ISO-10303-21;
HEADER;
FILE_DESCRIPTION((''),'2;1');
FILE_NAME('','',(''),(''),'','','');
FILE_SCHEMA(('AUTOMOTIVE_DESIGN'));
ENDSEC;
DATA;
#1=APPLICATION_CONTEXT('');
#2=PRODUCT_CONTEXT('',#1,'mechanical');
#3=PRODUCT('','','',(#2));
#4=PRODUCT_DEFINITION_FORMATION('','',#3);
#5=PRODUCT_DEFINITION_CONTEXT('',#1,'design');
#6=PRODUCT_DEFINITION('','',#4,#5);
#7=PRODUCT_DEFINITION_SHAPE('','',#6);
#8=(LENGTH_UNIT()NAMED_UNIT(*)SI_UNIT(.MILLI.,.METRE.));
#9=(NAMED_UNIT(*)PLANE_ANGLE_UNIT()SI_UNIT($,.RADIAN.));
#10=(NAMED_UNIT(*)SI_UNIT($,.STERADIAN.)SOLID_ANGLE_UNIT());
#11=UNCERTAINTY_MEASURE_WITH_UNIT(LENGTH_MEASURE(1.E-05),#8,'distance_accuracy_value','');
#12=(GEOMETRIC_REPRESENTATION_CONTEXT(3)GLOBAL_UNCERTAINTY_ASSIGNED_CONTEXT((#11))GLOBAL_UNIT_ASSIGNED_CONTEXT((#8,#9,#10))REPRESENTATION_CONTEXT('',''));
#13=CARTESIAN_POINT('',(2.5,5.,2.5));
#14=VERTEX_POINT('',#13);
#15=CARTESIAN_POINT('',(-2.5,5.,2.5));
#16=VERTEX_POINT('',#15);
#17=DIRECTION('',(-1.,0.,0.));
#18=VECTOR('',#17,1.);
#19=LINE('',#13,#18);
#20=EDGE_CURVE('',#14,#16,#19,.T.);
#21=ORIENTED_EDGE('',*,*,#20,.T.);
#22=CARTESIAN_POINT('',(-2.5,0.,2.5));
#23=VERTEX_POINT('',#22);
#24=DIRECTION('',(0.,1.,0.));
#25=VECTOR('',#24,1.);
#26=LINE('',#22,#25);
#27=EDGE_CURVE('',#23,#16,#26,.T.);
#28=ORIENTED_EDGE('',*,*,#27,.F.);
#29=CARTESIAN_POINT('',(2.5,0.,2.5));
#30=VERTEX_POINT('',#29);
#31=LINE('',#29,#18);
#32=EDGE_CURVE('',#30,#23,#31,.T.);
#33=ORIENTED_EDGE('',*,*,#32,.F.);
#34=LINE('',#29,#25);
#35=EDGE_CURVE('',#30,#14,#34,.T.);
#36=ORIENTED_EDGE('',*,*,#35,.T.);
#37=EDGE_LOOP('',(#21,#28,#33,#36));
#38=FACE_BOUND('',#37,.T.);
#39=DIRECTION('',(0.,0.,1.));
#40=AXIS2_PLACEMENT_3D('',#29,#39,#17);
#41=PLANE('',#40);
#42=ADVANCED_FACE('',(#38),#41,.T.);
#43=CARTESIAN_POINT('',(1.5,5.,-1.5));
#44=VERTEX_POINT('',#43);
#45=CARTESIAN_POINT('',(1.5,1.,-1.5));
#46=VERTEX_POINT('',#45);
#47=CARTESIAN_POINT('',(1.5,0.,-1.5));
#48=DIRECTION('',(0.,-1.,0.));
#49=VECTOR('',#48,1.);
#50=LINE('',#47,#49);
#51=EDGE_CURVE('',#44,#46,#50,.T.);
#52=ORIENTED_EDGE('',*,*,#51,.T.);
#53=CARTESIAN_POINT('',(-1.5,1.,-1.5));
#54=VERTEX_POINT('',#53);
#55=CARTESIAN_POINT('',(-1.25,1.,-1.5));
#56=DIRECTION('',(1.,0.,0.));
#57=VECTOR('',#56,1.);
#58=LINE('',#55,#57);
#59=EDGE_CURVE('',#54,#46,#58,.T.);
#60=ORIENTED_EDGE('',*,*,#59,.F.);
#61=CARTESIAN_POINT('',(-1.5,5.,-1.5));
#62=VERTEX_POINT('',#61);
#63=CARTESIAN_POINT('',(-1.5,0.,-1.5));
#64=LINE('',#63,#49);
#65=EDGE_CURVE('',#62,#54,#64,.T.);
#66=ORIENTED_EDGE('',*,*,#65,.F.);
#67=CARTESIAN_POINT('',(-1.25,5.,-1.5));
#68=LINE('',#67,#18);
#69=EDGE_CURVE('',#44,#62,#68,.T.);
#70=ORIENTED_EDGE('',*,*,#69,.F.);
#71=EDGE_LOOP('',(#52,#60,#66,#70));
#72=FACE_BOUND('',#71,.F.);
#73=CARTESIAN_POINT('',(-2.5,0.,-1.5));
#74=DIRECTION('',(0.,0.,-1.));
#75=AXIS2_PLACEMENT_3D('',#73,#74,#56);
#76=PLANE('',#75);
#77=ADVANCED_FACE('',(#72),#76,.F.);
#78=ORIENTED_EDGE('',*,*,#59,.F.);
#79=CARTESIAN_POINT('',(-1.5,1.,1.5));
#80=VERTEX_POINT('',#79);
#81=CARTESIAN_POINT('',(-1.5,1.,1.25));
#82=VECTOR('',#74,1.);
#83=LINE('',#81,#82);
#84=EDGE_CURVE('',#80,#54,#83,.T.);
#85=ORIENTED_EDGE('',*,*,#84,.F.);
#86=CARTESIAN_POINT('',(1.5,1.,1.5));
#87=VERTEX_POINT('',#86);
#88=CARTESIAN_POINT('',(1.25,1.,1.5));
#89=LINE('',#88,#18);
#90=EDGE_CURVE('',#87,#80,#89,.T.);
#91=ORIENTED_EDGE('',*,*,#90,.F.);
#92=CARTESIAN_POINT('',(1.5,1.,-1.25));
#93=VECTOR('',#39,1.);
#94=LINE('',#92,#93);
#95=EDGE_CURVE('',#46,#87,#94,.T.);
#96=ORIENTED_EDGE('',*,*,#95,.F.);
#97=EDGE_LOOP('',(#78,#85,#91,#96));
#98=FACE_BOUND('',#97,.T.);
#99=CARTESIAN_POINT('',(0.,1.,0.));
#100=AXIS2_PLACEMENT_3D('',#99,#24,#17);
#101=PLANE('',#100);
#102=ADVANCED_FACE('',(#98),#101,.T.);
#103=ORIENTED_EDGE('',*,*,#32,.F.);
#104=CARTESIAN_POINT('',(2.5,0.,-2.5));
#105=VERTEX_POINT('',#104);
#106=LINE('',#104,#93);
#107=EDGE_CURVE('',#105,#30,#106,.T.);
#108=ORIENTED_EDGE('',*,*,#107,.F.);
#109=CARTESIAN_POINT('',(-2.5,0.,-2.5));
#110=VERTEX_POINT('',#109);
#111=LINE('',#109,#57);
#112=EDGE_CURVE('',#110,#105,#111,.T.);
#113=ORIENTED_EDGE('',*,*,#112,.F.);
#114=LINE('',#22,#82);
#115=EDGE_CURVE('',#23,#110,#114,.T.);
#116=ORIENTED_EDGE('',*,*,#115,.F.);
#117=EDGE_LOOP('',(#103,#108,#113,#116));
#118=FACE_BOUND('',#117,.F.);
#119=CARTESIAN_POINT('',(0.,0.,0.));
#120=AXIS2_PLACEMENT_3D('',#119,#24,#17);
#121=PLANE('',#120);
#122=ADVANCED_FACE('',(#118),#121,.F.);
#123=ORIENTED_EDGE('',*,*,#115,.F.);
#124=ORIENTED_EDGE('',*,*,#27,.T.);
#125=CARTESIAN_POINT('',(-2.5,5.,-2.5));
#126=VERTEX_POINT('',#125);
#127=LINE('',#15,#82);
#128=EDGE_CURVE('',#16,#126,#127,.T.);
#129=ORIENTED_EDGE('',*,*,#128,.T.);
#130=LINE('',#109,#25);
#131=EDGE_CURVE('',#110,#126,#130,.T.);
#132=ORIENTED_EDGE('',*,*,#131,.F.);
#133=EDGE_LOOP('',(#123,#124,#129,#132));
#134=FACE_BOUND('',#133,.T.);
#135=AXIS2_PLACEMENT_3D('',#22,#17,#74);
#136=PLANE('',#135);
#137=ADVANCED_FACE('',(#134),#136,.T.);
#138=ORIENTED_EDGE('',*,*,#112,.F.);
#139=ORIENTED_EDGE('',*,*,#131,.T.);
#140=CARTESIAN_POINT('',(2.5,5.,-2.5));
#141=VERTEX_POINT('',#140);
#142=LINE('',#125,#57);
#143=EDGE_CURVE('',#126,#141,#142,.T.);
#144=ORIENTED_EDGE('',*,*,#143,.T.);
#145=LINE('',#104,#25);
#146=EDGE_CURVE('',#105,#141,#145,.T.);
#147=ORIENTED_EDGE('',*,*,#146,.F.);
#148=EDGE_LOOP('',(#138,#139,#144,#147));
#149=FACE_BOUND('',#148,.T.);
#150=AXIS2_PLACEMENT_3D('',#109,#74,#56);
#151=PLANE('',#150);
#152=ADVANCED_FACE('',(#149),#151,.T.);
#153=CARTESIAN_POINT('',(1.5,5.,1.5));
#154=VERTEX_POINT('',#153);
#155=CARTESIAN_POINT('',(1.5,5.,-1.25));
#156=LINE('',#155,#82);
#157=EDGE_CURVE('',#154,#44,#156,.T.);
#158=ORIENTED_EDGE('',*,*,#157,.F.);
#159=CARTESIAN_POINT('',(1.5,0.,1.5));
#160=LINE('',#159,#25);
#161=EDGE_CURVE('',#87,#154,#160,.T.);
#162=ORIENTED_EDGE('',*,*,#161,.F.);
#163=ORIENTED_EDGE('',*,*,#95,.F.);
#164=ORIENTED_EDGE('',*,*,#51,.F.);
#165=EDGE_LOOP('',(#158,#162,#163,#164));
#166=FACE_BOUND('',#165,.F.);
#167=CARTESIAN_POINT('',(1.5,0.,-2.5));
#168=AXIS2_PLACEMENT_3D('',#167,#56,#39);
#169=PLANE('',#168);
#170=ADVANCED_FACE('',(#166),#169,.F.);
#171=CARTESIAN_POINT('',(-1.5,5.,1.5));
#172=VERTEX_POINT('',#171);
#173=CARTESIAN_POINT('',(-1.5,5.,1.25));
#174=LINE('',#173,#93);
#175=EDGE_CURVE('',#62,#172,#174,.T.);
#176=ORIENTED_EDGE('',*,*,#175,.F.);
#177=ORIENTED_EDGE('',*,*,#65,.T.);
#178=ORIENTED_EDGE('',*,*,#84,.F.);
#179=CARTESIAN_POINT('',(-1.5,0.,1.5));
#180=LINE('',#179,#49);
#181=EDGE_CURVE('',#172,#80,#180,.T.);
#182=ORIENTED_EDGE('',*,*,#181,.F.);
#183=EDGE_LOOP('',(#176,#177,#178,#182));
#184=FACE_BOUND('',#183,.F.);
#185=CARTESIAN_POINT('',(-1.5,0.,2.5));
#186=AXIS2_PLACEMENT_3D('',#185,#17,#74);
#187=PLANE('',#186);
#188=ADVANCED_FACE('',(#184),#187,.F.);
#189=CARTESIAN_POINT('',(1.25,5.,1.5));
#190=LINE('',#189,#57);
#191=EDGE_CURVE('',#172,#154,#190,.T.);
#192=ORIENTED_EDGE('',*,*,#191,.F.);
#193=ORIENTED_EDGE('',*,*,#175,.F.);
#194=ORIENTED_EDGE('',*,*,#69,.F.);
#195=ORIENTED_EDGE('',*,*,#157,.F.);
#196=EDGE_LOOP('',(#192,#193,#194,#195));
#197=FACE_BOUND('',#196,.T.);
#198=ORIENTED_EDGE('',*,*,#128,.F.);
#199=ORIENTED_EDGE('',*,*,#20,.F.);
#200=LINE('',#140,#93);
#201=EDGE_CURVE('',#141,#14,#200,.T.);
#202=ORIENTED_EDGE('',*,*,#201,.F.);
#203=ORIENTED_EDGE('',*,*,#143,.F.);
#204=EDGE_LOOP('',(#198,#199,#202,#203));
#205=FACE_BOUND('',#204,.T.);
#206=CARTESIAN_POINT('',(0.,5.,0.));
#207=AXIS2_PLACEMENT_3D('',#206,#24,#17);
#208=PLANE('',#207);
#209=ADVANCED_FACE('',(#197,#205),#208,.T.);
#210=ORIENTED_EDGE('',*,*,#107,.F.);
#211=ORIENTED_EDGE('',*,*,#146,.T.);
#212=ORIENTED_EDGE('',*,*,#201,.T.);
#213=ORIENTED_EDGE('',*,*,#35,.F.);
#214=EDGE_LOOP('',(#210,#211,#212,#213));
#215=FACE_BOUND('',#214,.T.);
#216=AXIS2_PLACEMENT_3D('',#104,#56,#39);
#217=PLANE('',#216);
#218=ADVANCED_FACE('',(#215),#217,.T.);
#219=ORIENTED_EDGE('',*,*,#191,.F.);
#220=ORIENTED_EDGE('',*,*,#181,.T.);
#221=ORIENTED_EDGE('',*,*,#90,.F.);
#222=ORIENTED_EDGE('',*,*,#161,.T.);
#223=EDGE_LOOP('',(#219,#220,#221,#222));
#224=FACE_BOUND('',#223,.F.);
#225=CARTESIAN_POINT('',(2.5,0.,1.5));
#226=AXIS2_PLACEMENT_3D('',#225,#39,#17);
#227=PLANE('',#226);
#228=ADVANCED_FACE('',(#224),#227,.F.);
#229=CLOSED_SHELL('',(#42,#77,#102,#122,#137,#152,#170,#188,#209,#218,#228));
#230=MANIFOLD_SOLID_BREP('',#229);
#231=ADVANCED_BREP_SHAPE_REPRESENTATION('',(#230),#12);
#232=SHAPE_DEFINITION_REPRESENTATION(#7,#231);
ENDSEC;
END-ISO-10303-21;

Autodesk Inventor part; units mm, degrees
ref_plane "YZ Plane" through (0, 0, 0) normal (1, 0, 0) x (0, 1, 0)
ref_plane "XZ Plane" through (0, 0, 0) normal (0, 1, 0) x (-1, 0, 0)
ref_plane "XY Plane" through (0, 0, 0) normal (0, 0, 1) x (1, 0, 0)
sketch "Sketch1" plane through (0, 0, 0) normal (0, 1, 0) x (-1, 0, 0)
  line L0 (-2.5, 2.5) -> (2.5, 2.5)
  line L1 (2.5, 2.5) -> (2.5, -2.5)
  line L2 (2.5, -2.5) -> (-2.5, -2.5)
  line L3 (-2.5, -2.5) -> (-2.5, 2.5)
  line L4 (-2.5, 2.5) -> (2.5, -2.5) construction
  line L5 (2.5, 2.5) -> (-2.5, -2.5) construction
  point P0 (0, 0)
  dimension "d0" = 5
  dimension "d1" = 5
extrude "Extrusion1" add sketch "Sketch1" along normal blind 5
shell "Shell1" thickness 1 removed faces 1 at (-0.8333, 5, -0.8333)
properties part number "snapfit_v03"
